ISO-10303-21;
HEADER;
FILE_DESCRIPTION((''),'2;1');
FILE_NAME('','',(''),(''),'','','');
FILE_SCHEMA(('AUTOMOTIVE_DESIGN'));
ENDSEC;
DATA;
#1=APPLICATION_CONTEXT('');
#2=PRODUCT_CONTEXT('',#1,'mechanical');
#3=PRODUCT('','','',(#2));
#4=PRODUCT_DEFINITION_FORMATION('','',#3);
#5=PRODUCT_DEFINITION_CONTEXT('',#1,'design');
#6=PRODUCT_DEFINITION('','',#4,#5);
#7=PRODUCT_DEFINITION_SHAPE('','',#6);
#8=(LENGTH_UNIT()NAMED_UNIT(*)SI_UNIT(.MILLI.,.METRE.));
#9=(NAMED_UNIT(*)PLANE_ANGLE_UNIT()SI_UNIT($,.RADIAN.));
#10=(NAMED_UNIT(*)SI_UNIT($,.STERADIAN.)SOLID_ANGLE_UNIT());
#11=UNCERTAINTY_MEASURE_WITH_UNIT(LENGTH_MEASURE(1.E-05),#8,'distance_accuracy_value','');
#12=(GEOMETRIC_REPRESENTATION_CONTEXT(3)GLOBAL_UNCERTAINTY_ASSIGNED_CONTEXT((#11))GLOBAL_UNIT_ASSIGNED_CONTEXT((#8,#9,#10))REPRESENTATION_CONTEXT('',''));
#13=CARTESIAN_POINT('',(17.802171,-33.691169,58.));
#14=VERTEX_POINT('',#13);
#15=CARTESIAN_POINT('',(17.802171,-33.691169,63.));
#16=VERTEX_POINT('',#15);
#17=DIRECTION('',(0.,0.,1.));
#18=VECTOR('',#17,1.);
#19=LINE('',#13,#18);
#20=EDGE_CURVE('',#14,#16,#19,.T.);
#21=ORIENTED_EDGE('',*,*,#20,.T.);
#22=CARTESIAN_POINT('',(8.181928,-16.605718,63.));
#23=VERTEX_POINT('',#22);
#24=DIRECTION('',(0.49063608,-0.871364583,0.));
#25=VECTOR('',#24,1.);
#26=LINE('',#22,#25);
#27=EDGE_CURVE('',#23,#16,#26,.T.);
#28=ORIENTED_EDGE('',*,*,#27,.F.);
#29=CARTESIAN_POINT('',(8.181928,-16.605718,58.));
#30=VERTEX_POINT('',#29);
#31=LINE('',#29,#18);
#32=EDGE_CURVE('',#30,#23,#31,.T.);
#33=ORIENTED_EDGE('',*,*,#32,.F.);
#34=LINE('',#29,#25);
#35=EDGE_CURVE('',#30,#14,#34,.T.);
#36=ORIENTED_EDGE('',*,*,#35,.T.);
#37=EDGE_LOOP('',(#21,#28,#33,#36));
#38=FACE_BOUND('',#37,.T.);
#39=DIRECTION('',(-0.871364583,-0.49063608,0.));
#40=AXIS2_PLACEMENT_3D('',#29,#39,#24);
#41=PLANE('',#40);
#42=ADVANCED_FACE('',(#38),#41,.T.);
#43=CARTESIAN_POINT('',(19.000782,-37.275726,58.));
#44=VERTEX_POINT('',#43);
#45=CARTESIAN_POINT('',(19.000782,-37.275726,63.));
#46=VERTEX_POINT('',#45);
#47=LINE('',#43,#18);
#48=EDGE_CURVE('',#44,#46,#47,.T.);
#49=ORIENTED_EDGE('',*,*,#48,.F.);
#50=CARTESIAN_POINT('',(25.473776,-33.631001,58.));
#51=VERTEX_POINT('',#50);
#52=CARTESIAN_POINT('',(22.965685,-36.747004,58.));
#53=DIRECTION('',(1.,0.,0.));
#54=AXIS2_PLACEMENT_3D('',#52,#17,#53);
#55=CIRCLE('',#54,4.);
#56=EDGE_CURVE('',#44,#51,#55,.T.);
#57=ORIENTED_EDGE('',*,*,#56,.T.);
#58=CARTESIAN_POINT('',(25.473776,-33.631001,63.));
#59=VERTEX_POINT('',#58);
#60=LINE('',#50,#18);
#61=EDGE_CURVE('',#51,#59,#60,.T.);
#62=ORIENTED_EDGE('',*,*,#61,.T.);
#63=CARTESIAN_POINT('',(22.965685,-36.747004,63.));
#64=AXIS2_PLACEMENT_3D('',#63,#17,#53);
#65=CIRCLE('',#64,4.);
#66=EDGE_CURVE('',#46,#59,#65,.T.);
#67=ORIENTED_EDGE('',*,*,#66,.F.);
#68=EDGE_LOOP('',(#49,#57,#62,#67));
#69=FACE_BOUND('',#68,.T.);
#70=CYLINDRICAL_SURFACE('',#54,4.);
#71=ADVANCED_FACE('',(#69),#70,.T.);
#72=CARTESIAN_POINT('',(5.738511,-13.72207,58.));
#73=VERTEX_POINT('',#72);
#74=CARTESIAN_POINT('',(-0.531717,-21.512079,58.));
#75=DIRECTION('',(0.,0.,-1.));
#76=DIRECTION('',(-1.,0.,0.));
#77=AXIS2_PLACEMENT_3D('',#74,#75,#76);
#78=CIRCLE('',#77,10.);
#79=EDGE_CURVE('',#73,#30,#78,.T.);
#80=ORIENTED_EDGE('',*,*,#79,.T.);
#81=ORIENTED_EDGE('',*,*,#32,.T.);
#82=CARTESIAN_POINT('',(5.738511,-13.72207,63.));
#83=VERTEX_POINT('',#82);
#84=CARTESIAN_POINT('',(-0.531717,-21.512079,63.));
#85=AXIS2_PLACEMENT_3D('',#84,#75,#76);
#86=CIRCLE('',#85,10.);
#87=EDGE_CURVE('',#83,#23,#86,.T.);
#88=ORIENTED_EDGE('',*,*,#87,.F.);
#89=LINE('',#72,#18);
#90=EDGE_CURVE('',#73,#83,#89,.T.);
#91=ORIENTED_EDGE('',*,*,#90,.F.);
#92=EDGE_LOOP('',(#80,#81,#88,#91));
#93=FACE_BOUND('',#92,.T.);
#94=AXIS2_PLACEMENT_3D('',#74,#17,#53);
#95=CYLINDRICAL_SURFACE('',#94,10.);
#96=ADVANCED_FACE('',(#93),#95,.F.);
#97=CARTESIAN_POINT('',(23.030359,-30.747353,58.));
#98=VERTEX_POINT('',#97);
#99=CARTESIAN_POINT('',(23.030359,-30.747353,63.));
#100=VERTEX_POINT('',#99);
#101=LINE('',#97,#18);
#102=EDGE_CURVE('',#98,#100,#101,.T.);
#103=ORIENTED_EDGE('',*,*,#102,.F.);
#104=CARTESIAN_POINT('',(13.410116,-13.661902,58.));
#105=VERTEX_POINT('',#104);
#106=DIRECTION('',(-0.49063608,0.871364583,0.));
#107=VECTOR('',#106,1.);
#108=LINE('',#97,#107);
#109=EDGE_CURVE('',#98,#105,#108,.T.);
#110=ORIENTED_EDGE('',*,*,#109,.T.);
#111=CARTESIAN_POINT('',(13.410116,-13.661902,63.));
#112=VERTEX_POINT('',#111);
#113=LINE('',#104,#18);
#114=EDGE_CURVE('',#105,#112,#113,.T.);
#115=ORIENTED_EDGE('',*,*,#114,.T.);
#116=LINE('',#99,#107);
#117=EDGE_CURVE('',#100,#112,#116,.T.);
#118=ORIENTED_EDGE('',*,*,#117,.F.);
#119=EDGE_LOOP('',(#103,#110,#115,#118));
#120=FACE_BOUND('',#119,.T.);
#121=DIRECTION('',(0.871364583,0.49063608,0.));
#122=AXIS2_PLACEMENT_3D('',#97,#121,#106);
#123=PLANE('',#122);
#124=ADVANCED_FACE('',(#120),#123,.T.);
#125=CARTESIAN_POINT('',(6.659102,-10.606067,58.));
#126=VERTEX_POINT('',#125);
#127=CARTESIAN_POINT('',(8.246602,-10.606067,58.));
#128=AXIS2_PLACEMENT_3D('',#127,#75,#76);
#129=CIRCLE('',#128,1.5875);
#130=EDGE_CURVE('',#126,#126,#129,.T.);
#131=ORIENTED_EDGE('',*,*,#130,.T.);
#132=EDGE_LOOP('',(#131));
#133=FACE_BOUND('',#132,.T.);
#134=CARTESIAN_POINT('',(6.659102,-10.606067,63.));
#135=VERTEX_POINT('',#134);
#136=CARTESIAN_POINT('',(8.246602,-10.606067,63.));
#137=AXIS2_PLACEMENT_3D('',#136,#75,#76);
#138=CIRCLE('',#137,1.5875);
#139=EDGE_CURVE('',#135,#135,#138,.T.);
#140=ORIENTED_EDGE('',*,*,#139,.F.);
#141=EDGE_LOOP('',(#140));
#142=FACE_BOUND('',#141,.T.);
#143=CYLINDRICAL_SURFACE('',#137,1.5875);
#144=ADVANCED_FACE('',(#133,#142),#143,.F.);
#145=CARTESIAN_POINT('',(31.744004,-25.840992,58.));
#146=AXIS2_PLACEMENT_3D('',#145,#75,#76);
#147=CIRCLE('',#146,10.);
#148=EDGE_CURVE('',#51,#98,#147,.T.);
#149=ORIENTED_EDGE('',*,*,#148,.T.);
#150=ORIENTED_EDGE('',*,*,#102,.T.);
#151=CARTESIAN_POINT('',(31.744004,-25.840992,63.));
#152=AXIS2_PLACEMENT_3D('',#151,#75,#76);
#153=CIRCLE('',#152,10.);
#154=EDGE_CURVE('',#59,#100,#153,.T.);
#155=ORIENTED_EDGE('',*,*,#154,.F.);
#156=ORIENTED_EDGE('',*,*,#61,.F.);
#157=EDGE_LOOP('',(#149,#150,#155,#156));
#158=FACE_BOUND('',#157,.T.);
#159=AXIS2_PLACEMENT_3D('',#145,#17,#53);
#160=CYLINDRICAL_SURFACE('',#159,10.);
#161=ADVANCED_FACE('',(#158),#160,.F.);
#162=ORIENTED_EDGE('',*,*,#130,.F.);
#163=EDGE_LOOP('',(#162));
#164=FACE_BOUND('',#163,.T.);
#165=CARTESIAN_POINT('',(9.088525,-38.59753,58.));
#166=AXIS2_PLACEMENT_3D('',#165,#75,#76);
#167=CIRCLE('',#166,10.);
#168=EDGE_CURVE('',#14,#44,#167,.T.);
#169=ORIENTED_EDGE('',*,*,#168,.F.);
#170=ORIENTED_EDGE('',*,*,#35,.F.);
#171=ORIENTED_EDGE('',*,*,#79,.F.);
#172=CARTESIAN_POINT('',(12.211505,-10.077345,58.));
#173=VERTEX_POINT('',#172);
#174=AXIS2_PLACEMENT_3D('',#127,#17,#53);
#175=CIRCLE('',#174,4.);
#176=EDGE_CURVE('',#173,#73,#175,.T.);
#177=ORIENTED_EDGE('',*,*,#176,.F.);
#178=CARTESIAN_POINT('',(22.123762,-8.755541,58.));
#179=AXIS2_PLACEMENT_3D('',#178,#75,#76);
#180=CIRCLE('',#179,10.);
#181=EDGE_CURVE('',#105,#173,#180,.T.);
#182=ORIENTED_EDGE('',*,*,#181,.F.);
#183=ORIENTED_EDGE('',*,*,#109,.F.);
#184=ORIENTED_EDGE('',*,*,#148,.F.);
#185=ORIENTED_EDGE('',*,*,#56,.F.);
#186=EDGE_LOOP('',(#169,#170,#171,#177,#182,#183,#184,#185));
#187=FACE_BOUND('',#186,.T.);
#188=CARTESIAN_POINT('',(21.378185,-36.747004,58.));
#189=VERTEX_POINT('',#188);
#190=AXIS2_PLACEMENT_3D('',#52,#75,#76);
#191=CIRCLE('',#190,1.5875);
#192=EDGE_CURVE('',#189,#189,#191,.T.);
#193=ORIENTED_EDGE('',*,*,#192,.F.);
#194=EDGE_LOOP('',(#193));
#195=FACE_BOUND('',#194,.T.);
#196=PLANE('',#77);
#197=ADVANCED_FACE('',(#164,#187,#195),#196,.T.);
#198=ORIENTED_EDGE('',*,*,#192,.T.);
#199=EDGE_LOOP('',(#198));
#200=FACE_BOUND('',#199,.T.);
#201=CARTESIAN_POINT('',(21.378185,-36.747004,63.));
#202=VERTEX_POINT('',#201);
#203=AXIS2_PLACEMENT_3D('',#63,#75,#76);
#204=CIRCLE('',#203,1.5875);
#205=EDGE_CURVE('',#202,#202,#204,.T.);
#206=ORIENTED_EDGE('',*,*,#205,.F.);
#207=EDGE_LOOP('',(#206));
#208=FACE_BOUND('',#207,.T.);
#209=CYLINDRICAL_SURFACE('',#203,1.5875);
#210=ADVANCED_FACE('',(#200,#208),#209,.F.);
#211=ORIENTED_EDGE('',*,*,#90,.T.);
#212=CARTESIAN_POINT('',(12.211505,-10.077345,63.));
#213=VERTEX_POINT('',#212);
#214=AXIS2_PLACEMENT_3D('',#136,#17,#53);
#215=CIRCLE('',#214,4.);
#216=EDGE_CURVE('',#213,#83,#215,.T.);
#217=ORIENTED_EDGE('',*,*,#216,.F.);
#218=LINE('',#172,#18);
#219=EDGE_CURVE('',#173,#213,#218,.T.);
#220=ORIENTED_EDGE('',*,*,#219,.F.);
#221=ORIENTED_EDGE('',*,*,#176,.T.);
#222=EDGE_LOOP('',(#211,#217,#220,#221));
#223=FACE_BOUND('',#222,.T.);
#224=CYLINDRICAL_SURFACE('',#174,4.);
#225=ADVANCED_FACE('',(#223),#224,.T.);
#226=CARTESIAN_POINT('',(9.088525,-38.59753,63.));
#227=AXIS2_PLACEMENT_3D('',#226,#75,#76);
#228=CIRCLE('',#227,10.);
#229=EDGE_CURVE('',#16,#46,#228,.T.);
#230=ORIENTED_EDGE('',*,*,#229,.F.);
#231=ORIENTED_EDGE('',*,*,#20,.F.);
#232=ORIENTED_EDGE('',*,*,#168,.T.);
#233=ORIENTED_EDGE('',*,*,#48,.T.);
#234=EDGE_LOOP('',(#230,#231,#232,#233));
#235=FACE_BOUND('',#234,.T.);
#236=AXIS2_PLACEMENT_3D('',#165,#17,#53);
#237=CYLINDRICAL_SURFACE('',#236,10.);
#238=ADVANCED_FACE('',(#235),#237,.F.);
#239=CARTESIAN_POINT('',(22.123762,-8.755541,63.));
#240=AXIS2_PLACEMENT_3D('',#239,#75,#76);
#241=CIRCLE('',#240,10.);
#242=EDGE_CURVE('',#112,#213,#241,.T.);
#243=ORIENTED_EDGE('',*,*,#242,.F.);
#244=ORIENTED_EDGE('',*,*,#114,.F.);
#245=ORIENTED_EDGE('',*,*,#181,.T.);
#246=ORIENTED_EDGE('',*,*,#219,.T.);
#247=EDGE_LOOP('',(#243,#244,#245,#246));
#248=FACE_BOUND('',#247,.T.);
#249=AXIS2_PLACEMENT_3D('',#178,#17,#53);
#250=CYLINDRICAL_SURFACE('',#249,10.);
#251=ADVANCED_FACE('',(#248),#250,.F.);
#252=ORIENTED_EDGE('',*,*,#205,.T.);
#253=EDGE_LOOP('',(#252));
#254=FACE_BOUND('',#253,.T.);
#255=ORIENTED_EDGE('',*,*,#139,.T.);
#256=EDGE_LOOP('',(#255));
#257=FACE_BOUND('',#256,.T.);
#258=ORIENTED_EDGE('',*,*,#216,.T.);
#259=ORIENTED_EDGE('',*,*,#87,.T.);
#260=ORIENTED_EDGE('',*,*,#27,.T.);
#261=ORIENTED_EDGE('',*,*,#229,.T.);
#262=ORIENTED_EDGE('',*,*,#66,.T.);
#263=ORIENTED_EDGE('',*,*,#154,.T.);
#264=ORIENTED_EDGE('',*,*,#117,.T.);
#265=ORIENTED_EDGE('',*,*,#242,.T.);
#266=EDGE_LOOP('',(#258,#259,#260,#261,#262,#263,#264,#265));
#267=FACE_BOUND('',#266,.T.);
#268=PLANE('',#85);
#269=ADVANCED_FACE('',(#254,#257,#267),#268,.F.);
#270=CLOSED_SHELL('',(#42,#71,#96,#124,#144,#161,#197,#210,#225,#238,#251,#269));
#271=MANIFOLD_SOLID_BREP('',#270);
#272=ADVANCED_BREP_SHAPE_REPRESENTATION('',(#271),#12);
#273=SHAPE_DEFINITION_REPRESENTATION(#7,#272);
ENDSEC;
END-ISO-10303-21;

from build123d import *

# Parameters (mm, degrees)
SKETCH1_R           = 2
BOSS_EXTRUDE1_DEPTH = 5
SKETCH2_R           = 2
SKETCH2_R_2         = 1.5875
BOSS_EXTRUDE2_DEPTH = 5
SKETCH3_R           = 2
SKETCH3_R_2         = 1.5875
BOSS_EXTRUDE3_DEPTH = 5


with BuildPart() as part:
    # Sketch1 → Boss-Extrude1 (new body)
    with BuildSketch(Plane.XY.offset(63)):
        with BuildLine():
            Line((8.181928414, -16.605718064), (17.802171103, -33.691169181))
            ThreePointArc((17.802171103, -33.691169181), (18.572370652, -35.426303597), (19.000782012, -37.275725803))
            ThreePointArc((19.000782012, -37.275725803), (24.928229029, -40.232462465), (25.473776059, -33.631000637))
            ThreePointArc((25.473776059, -33.631000637), (24.114589128, -32.30566684), (23.030358602, -30.747352701))
            Line((23.030358602, -30.747352701), (13.410115914, -13.661901584))
            ThreePointArc((13.410115914, -13.661901584), (12.639916365, -11.926767167), (12.211505005, -10.077344962))
            ThreePointArc((12.211505005, -10.077344962), (6.284057988, -7.1206083), (5.738510958, -13.722070128))
            ThreePointArc((5.738510958, -13.722070128), (7.097697889, -15.047403925), (8.181928414, -16.605718064))
        make_face()
        with Locations(Location((8.246602308, -10.606066633, 0), (0, 0, 180))):
            Circle(SKETCH1_R, mode=Mode.SUBTRACT)
        with Locations(Location((22.965684708, -36.747004132, 0), (0, 0, 180))):
            Circle(SKETCH1_R, mode=Mode.SUBTRACT)
    extrude(amount=-BOSS_EXTRUDE1_DEPTH)

    # Sketch2 → Boss-Extrude2 (add, through all)
    with BuildSketch(Plane(origin=(0, 0, 58), x_dir=(-1, 0, 0), z_dir=(0, 0, -1))):
        with Locations((-22.965684708, -36.747004132)):
            Circle(SKETCH2_R)
        with Locations((-22.965684708, -36.747004132)):
            Circle(SKETCH2_R_2, mode=Mode.SUBTRACT)
    extrude(amount=-BOSS_EXTRUDE2_DEPTH)

    # Sketch3 → Boss-Extrude3 (add, through all)
    with BuildSketch(Plane(origin=(0, 0, 58), x_dir=(-1, 0, 0), z_dir=(0, 0, -1))):
        with Locations((-8.246602308, -10.606066633)):
            Circle(SKETCH3_R)
        with Locations((-8.246602308, -10.606066633)):
            Circle(SKETCH3_R_2, mode=Mode.SUBTRACT)
    extrude(amount=-BOSS_EXTRUDE3_DEPTH)


solid = part.part
